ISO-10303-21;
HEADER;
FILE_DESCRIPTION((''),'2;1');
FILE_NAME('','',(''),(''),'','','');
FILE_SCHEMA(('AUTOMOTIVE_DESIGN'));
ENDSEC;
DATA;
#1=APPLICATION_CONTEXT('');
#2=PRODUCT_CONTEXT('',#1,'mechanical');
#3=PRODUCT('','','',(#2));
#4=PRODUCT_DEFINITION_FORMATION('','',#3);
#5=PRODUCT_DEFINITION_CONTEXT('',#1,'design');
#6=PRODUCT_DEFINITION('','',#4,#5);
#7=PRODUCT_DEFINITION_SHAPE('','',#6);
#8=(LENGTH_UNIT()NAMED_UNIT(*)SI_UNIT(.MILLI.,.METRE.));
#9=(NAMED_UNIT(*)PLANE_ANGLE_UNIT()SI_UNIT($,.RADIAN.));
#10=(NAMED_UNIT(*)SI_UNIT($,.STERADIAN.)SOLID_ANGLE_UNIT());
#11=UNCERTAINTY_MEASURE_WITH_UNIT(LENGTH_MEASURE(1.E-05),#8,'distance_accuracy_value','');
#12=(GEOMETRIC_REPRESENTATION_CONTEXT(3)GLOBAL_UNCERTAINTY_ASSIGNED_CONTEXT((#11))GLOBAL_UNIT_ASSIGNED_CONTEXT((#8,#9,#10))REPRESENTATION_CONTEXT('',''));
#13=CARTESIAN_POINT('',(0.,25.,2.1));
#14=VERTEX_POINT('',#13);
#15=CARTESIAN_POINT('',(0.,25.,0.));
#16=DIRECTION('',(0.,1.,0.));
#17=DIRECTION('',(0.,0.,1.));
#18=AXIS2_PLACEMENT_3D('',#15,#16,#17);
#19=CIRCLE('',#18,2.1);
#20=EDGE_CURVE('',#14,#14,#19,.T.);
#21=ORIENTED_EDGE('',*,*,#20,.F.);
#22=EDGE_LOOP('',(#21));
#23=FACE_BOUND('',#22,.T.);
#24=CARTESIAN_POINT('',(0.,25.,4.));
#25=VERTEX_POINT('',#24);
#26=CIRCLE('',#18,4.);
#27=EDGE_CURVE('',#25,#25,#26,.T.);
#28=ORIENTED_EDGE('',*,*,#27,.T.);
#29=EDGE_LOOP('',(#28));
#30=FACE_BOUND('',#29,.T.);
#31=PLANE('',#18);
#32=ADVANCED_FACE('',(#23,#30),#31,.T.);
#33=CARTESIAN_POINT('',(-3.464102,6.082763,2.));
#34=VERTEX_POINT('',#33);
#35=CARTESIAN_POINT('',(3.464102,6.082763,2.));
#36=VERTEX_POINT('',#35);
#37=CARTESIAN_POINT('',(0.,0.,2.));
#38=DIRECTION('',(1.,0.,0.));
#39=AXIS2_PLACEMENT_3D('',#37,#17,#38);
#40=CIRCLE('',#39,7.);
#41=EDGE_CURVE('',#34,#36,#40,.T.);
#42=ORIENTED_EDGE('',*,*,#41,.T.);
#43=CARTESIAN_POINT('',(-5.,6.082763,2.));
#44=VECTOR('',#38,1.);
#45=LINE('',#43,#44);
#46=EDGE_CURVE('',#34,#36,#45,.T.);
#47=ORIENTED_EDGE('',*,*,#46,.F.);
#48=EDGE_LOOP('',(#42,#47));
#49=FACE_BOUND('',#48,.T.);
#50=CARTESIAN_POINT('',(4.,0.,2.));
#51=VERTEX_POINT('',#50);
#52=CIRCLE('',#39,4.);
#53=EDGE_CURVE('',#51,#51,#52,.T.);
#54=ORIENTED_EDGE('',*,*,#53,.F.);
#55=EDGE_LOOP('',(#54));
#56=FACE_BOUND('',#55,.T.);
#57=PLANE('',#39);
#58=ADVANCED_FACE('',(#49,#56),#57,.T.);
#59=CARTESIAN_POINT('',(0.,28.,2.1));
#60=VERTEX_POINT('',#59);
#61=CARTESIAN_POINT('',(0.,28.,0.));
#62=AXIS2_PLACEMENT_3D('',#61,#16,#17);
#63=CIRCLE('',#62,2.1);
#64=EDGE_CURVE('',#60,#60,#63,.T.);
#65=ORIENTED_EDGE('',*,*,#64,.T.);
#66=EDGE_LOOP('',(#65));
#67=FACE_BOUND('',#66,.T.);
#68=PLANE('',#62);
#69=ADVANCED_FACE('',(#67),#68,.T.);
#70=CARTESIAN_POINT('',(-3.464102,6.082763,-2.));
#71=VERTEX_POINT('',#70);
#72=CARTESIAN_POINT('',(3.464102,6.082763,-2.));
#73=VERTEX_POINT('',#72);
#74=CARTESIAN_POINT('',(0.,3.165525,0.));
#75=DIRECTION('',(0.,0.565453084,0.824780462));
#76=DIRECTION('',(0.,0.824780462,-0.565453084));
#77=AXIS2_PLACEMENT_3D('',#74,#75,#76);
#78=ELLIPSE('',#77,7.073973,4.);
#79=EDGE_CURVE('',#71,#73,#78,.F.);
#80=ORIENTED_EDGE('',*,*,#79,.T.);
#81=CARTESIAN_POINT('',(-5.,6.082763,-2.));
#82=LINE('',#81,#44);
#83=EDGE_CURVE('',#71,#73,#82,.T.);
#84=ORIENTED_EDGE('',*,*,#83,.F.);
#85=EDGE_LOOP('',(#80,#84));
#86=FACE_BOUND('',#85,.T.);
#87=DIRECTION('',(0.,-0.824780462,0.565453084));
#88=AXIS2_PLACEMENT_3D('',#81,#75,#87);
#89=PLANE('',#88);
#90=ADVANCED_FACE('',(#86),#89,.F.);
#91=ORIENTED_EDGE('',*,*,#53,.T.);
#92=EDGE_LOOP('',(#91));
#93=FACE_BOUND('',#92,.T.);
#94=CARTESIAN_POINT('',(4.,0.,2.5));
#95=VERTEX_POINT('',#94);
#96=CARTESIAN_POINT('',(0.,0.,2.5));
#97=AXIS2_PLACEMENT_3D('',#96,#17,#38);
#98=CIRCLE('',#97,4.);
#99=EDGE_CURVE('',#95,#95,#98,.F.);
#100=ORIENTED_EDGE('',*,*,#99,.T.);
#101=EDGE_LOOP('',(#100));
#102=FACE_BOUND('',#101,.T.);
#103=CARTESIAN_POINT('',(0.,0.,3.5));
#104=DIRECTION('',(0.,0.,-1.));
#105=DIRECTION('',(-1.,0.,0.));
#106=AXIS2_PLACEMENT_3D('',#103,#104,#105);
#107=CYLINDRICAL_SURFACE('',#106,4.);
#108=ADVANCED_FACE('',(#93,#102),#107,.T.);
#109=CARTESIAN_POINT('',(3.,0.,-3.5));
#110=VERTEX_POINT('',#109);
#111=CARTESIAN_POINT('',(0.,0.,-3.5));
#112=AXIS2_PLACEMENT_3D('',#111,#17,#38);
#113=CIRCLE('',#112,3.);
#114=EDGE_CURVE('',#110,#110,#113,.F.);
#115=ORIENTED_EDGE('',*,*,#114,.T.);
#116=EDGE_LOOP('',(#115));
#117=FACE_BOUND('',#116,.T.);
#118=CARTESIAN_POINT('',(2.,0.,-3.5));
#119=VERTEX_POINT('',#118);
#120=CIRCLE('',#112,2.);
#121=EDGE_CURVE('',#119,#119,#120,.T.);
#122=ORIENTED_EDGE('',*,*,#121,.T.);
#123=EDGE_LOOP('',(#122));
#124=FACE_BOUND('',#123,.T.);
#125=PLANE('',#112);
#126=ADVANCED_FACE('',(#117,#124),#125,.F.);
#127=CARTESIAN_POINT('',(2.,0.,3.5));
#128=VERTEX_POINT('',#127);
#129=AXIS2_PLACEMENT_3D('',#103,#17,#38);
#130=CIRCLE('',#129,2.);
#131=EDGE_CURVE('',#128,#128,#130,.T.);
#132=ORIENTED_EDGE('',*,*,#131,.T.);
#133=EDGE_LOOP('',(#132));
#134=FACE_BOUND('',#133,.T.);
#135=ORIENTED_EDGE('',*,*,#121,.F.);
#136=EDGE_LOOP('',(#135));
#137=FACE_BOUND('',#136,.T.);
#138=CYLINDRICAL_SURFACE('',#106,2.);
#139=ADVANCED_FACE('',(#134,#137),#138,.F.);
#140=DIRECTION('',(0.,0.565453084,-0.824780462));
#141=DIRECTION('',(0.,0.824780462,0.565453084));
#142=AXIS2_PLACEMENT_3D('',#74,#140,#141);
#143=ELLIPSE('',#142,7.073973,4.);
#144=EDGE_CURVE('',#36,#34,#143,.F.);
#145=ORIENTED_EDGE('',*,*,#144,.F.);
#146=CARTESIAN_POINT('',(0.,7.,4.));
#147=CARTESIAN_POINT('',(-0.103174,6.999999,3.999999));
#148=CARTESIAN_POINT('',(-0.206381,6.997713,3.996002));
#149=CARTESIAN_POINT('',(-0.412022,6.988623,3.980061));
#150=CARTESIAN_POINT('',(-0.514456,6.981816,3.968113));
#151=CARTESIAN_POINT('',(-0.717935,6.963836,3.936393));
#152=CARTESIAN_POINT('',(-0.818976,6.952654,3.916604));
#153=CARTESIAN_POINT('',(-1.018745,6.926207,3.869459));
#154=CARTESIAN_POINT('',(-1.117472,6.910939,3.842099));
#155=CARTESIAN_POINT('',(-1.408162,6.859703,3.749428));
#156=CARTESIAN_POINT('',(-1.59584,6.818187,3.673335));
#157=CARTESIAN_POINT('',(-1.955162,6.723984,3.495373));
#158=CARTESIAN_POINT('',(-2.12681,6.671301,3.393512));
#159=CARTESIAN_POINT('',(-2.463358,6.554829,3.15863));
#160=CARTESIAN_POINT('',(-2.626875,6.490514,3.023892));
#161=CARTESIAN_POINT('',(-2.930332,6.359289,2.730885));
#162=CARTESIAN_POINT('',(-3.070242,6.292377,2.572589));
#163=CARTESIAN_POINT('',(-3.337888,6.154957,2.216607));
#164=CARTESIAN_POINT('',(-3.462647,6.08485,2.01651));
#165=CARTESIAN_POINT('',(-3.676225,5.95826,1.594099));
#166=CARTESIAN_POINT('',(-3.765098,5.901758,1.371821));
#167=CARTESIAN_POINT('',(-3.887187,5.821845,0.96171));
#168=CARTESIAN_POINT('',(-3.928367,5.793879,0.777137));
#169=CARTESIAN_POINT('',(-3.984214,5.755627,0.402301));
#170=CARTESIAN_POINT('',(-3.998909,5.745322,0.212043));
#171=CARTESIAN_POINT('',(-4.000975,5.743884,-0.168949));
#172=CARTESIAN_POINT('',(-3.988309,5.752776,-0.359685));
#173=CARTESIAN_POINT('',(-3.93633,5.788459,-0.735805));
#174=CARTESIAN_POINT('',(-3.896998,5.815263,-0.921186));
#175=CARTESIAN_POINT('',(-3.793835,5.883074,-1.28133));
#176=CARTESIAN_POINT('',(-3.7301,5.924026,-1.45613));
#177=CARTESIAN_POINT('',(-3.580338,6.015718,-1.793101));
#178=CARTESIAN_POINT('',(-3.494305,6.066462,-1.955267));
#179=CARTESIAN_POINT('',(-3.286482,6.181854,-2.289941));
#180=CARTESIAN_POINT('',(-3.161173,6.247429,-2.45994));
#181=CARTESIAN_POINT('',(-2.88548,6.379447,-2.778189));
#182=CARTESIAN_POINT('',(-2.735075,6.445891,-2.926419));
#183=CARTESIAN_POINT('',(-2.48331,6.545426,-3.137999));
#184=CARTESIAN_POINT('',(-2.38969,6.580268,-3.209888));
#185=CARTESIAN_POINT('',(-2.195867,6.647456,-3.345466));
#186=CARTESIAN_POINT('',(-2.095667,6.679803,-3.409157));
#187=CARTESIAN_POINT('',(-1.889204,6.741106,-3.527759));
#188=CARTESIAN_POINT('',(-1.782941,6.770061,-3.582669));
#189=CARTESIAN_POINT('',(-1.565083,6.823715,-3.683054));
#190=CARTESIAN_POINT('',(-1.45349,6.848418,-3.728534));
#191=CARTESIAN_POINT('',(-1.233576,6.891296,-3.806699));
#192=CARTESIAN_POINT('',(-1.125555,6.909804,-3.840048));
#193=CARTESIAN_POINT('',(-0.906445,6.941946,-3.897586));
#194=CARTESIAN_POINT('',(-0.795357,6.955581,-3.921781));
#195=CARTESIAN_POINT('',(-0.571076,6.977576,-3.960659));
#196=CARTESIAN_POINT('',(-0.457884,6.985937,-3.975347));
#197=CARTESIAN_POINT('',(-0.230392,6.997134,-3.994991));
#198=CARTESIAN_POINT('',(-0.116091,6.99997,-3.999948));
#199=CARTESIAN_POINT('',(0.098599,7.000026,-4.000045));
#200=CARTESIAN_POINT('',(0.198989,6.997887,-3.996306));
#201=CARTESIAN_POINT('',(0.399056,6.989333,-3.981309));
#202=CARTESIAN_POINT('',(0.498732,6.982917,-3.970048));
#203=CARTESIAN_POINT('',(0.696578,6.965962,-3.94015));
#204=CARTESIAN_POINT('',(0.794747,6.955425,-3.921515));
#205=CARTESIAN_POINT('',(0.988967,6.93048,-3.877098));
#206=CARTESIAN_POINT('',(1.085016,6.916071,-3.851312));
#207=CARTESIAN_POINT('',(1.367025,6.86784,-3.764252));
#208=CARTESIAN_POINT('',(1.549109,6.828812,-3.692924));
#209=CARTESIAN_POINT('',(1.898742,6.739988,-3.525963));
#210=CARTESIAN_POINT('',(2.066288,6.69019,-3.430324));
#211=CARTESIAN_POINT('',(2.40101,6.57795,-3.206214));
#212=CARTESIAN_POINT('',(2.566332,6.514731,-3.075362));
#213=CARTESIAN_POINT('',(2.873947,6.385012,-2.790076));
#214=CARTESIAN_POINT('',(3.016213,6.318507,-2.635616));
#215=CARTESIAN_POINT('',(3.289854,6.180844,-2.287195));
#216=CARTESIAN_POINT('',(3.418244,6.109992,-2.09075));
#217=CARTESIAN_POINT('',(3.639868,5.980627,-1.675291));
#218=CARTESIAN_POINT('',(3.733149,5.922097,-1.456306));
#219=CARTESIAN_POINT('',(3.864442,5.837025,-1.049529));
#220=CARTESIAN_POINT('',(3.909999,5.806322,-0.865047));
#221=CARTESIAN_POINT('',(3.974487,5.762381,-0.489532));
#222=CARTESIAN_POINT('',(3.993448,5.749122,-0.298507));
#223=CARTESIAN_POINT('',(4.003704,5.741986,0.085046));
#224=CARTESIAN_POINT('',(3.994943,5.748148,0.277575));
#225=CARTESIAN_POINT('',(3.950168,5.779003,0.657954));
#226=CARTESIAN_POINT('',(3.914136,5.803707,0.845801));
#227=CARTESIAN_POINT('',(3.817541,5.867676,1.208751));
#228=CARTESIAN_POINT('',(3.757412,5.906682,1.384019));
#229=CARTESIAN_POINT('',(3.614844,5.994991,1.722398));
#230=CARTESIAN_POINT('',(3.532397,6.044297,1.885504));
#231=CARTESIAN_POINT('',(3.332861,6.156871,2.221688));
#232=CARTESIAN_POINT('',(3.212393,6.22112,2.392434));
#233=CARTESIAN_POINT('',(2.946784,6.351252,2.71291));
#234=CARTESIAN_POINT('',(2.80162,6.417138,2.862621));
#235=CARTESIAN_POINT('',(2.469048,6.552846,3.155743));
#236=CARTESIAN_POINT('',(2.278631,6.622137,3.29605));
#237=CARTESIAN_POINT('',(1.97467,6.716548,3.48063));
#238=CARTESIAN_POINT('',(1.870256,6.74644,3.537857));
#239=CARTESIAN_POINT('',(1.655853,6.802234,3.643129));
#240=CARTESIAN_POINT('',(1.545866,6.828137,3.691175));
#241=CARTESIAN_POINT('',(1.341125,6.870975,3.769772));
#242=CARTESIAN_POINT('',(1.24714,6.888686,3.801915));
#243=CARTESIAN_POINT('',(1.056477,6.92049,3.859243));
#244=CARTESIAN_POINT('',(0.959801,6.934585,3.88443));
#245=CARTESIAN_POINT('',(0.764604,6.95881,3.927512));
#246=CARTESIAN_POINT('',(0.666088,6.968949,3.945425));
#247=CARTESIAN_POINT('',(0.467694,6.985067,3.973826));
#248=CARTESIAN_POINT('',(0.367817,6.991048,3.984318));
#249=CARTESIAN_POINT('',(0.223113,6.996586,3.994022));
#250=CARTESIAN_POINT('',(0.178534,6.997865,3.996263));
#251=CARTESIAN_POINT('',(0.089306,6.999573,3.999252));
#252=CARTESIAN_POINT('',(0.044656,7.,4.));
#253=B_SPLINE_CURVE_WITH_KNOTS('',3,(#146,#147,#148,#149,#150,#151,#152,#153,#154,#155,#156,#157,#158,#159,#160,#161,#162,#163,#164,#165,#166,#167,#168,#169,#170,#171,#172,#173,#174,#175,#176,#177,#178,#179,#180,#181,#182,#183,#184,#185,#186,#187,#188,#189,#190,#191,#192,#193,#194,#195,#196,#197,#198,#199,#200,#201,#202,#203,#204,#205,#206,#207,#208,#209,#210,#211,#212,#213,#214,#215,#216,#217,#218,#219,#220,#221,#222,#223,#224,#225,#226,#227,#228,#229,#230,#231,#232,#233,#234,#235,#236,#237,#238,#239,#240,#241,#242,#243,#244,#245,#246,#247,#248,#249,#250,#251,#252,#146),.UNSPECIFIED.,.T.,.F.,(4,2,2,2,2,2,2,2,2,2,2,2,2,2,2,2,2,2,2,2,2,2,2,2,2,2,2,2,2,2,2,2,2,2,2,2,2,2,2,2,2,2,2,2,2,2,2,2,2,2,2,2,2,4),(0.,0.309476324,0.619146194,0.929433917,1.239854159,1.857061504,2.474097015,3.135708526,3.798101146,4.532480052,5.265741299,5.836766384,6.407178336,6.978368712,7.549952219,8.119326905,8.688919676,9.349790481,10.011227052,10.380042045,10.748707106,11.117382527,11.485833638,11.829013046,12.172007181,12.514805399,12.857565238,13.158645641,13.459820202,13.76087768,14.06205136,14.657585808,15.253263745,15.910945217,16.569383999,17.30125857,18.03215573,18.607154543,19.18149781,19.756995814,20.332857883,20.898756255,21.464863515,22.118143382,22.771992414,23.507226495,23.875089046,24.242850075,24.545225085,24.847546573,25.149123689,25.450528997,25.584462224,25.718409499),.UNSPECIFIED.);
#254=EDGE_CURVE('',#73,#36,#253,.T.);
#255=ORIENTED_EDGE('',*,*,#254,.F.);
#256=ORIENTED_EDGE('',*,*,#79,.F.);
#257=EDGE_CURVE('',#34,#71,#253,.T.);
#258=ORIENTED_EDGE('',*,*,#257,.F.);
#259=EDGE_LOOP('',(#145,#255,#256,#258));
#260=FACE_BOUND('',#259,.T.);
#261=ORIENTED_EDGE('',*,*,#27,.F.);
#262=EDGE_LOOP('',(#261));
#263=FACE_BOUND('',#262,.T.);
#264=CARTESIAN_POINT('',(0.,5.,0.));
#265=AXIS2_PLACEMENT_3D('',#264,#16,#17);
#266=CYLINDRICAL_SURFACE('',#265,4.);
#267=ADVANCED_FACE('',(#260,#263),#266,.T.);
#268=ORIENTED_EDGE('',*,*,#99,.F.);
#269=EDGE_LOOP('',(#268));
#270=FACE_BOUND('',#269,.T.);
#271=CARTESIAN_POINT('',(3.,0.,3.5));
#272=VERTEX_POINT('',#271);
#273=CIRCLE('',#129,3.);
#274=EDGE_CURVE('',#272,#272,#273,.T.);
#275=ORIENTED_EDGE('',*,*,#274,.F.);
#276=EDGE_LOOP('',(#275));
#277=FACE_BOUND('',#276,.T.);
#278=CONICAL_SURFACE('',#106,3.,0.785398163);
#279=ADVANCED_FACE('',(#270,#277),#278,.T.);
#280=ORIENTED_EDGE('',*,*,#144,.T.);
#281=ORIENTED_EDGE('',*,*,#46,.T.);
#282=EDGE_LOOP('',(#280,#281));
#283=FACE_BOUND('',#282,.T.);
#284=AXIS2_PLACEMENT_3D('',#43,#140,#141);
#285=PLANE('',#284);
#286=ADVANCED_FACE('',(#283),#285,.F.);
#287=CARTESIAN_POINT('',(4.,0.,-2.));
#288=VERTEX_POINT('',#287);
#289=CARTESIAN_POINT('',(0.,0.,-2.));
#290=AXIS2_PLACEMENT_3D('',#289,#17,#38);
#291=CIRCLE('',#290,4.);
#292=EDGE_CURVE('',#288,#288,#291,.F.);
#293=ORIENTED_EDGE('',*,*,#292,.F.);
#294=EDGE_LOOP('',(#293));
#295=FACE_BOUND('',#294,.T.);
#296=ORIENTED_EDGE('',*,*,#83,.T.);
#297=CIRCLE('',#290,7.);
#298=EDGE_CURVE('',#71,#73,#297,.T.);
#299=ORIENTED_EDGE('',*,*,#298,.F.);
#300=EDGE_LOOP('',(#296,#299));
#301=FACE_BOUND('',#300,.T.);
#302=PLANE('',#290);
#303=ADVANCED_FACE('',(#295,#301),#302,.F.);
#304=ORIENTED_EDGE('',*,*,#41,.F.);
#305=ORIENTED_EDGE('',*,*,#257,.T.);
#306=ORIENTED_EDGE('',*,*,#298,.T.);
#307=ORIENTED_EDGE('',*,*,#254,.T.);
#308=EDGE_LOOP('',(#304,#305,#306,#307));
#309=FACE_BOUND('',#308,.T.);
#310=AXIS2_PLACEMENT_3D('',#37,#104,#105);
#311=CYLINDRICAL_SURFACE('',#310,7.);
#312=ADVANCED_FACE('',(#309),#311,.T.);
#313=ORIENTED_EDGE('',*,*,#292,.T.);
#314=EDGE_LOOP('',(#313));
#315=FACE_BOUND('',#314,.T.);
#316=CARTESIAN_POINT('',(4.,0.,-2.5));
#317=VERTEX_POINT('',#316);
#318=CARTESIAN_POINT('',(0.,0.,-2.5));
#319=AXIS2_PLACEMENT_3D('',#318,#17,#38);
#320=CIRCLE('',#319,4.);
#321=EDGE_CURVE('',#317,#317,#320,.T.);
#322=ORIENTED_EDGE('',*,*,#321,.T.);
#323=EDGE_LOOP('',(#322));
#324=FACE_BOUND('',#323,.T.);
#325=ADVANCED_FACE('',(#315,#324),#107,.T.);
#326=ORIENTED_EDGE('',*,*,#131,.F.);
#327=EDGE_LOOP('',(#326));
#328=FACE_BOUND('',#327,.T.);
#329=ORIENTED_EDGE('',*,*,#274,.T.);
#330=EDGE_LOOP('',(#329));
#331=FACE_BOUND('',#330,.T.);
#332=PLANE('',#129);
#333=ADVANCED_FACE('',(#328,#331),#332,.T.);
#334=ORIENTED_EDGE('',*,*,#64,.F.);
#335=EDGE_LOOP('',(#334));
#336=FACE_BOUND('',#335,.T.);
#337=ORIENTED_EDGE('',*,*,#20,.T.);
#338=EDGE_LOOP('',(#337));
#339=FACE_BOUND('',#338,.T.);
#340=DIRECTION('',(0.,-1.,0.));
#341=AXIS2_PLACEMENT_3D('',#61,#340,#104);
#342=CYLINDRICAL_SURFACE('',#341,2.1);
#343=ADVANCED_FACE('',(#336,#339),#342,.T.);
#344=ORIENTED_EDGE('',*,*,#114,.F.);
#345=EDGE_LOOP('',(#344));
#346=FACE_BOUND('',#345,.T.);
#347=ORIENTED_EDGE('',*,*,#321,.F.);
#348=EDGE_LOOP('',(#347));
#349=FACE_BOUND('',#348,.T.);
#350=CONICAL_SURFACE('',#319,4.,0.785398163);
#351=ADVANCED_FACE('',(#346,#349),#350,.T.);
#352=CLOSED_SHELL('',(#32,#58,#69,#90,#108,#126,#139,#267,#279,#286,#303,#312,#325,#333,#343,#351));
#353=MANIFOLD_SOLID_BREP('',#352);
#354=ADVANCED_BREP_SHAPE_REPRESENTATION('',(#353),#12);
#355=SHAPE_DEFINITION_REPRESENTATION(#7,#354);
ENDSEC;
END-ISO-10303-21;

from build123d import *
from build123d.topology import SkipClean

# Parameters (mm, degrees)
SKETCH_1_R          = 7
SKETCH_1_R_2        = 4
EXTRUDE_1_DEPTH     = 2
SKETCH_2_R          = 4
SKETCH_2_R_2        = 2
EXTRUDE_2_DEPTH     = 3.5
CHAMFER_1_SIZE      = 1
SKETCH_4_R          = 4
EXTRUDE_3_DEPTH     = 20
CUT_EXTRUDE_1_DEPTH = 5
CUT_EXTRUDE_2_DEPTH = 5
SKETCH_9_R          = 2.1
EXTRUDE_4_DEPTH     = 3


with BuildPart() as part:
    # 草图1 → 凸台-拉伸1 (new, symmetric)
    with BuildSketch(Plane.XY):
        Circle(SKETCH_1_R)
        Circle(SKETCH_1_R_2, mode=Mode.SUBTRACT)
    extrude(amount=EXTRUDE_1_DEPTH, both=True)

    # 草图2 → 凸台-拉伸2 (add, symmetric)
    with BuildSketch(Plane.XY):
        Circle(SKETCH_2_R)
        Circle(SKETCH_2_R_2, mode=Mode.SUBTRACT)
    extrude(amount=EXTRUDE_2_DEPTH, both=True)

    # 倒角1
    chamfer_1_edges = [part.edges().sort_by_distance(p)[0] for p in [
        (-4, 0, -3.5),
        (-4, 0, 3.5),
    ]]
    chamfer(chamfer_1_edges, length=CHAMFER_1_SIZE)

    # 草图4 → 凸台-拉伸3 (add)
    with BuildSketch(Plane(origin=(0, 25, 0), x_dir=(1, 0, 0), z_dir=(0, 1, 0))):
        with Locations(Location((0, 0, 0), (0, 0, 270))):
            Circle(SKETCH_4_R)
    extrude(amount=-EXTRUDE_3_DEPTH)

    # 草图7 → 切除-拉伸1 (cut, symmetric)
    with BuildSketch(Plane(origin=(0, 0, 0), x_dir=(0, 0, -1), z_dir=(1, 0, 0))):
        Polygon((2, 5), (4, 9), (4, 5), align=None)
        Polygon((-2, 5), (-4, 9), (-4, 5), align=None)
    extrude(amount=CUT_EXTRUDE_1_DEPTH, both=True, mode=Mode.SUBTRACT)

    # 草图8 → 切除-拉伸2 (cut, symmetric)
    with SkipClean():  # the faces are left unmerged after this step: merging them gives an invalid solid
        with BuildSketch(Plane(origin=(0, 0, 0), x_dir=(0, 0, -1), z_dir=(1, 0, 0))):
            Polygon((-2, 5), (-2, 6.08276253), (-4, 9), align=None)
            Polygon((2, 5), (2, 6.08276253), (4, 9), align=None)
        extrude(amount=CUT_EXTRUDE_2_DEPTH, both=True, mode=Mode.SUBTRACT)

    # 草图9 → 凸台-拉伸4 (add)
    with SkipClean():  # the faces are left unmerged after this step: merging them gives an invalid solid
        with BuildSketch(Plane(origin=(0, 25, 0), x_dir=(1, 0, 0), z_dir=(0, 1, 0))):
            with Locations(Location((0, 0, 0), (0, 0, 270))):
                Circle(SKETCH_9_R)
        extrude(amount=EXTRUDE_4_DEPTH)


solid = part.part
